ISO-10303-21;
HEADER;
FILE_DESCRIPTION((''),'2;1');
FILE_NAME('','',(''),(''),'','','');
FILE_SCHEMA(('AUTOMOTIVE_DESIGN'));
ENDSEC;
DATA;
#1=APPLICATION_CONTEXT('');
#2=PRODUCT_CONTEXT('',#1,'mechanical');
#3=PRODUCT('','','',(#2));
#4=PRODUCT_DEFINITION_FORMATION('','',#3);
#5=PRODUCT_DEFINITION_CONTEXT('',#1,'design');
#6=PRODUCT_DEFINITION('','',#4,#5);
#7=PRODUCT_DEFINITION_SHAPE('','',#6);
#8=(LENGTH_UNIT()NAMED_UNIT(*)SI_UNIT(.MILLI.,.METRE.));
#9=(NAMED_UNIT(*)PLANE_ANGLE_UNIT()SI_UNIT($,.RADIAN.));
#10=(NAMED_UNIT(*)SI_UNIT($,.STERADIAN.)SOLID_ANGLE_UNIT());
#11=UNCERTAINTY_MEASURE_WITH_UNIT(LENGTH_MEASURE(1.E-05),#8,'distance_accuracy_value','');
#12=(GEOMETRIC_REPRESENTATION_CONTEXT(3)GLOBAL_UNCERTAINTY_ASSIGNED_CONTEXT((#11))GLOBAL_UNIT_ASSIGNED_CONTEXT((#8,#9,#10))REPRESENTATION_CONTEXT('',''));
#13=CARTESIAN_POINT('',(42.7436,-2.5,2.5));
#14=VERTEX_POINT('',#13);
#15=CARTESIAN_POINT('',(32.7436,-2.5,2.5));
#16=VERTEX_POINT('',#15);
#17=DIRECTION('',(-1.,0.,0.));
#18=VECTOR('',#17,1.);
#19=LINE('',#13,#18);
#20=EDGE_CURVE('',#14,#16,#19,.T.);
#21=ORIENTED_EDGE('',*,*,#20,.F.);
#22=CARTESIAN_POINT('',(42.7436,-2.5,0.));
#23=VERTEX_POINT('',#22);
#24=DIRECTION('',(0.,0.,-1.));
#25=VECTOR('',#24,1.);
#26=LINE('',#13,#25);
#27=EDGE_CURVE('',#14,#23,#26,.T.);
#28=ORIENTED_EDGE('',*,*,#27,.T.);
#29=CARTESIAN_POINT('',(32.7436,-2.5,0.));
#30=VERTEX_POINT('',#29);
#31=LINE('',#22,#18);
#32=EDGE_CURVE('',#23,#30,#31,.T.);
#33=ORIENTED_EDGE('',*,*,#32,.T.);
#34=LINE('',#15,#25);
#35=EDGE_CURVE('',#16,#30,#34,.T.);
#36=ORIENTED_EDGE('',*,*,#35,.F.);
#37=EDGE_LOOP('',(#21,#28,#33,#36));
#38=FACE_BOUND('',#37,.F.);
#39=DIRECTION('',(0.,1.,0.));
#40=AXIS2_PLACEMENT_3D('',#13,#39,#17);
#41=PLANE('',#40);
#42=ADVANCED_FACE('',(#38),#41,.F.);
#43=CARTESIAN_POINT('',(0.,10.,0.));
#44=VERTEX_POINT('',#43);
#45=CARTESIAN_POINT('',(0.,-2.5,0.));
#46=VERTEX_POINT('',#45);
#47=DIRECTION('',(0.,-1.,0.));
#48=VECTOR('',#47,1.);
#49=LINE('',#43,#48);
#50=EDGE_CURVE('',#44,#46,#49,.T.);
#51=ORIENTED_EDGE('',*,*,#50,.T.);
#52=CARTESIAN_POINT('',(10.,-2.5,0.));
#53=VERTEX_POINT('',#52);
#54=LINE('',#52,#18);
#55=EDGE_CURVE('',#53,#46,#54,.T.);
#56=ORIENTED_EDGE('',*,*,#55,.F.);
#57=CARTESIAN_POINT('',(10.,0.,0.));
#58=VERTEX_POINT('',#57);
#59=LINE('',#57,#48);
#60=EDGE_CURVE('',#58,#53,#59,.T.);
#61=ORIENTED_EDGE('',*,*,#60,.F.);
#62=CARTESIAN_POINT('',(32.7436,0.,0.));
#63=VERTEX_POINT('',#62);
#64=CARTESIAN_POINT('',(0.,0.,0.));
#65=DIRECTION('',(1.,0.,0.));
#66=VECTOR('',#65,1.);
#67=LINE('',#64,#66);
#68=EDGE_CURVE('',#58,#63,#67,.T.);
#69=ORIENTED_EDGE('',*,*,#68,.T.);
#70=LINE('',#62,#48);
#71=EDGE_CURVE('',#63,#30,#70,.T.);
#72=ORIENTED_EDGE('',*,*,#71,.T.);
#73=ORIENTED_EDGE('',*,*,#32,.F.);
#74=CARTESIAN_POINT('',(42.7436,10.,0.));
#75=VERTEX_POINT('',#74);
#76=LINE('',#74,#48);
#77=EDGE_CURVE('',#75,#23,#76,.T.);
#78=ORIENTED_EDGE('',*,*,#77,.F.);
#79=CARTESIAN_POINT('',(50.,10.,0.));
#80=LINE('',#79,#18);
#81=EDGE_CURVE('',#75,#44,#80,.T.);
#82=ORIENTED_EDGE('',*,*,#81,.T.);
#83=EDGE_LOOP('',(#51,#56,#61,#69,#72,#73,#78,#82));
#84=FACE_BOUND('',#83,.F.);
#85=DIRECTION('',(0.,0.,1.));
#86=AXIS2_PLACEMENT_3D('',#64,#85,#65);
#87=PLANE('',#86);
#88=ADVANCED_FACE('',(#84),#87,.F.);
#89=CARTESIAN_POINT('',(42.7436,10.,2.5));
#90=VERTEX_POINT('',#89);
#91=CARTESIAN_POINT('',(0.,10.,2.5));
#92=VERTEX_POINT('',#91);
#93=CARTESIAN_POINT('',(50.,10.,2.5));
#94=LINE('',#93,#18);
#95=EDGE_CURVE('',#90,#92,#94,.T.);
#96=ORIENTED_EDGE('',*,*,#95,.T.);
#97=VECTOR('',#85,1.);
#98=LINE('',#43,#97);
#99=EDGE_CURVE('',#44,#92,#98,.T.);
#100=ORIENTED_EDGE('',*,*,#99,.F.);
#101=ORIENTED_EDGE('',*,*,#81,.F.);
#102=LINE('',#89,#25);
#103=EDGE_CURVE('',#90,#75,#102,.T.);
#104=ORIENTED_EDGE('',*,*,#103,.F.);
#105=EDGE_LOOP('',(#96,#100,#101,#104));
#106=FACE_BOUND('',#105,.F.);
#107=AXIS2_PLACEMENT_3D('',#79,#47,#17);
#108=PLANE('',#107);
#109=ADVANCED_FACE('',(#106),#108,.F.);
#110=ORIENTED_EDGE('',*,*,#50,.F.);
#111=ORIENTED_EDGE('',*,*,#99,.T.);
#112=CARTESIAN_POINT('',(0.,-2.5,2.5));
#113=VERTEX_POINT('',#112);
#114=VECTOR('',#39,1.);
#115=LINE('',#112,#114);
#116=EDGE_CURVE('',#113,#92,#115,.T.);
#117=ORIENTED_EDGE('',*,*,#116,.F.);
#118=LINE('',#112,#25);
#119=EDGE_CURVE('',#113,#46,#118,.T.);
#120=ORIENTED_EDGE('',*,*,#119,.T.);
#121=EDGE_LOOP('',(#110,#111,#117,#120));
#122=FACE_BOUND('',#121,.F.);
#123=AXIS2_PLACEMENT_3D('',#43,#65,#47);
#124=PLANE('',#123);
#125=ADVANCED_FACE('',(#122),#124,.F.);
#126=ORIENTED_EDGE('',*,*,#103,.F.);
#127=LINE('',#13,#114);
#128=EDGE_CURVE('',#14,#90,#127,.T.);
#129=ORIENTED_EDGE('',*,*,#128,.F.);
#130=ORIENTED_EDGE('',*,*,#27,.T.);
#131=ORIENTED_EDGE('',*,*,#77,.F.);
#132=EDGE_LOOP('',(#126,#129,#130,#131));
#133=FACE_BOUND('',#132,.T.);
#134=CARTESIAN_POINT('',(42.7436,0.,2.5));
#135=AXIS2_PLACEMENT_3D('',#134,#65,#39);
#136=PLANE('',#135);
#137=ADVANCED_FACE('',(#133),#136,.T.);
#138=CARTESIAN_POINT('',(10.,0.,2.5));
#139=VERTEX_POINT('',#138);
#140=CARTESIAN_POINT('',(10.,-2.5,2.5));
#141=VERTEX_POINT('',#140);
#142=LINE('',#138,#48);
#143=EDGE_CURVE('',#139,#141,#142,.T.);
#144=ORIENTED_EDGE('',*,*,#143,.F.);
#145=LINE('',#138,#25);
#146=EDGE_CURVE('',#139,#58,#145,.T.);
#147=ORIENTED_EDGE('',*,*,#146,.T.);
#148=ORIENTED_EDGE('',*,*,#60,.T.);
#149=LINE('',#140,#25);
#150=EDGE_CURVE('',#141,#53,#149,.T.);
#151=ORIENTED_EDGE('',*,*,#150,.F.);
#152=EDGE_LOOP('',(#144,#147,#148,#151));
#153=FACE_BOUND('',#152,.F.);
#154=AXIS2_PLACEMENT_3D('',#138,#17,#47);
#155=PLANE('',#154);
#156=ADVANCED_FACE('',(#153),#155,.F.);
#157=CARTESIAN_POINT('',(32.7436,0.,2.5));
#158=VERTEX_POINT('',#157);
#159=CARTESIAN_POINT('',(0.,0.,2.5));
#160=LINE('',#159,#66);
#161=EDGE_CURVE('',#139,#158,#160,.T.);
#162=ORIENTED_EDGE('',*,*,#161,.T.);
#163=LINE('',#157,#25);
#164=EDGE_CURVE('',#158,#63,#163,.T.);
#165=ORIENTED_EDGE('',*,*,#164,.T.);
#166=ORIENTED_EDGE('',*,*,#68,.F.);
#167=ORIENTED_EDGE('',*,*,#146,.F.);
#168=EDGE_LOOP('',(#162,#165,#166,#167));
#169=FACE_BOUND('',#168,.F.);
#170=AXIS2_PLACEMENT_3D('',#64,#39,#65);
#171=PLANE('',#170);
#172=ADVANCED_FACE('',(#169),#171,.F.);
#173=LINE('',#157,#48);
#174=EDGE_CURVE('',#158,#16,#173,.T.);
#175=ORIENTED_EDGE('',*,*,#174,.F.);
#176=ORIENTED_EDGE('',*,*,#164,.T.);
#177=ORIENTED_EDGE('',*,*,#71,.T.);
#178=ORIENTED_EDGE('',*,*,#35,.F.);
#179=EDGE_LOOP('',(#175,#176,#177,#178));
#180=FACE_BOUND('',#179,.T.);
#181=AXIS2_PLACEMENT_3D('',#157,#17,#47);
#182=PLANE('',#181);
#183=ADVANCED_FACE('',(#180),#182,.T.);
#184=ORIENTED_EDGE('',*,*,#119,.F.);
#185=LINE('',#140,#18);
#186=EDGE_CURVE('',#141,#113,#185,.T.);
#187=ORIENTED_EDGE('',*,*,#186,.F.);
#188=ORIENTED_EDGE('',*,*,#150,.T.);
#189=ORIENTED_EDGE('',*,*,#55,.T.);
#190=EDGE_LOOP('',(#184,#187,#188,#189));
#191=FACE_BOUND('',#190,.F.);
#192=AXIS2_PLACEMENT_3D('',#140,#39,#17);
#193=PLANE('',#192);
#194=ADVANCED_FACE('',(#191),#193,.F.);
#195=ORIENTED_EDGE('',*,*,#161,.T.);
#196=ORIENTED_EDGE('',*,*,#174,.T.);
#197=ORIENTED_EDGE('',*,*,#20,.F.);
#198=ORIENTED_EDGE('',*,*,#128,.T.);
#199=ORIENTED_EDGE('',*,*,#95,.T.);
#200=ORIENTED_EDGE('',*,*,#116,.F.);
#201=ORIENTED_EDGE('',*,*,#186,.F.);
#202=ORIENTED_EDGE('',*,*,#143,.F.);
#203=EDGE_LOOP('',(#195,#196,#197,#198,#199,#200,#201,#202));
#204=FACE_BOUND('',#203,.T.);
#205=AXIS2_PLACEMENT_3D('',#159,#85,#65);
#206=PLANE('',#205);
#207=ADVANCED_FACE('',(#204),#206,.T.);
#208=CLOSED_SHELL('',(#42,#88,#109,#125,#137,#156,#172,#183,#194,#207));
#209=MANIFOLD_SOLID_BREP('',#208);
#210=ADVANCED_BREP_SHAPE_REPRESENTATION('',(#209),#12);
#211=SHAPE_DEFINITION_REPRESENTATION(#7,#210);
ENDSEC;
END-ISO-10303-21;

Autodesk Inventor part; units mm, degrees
ref_plane "YZ Plane" through (0, 0, 0) normal (1, 0, 0) x (0, 1, 0)
ref_plane "XZ Plane" through (0, 0, 0) normal (0, 1, 0) x (-1, 0, 0)
ref_plane "XY Plane" through (0, 0, 0) normal (0, 0, 1) x (1, 0, 0)
sketch "スケッチ1" plane through (0, 0, 0) normal (0, 0, 1) x (1, 0, 0)
  line L0 (0, 0) -> (50, 0)
  line L1 (50, 0) -> (50, 10)
  line L2 (50, 10) -> (0, 10)
  line L3 (0, 10) -> (0, 0)
  dimension "d0" = 50
  dimension "d1" = 10
extrude "押し出し1" add sketch "スケッチ1" along normal blind 2.5
sketch "スケッチ2" plane through (0, 0, 2.5) normal (0, 0, 1) x (1, 0, 0)
  line L0 (10, -2.5) -> (0, -2.5) projected
  line L1 (10, 0) -> (10, -2.5) projected
  line L2 (0, 0) -> (10, 0) projected
  line L3 (0, 0) -> (0, -2.5) projected
  line L4 (42.7436, -2.5) -> (32.7436, -2.5) projected
  line L5 (42.7436, 0) -> (42.7436, -2.5) projected
  line L6 (32.7436, 0) -> (42.7436, 0) projected
  line L7 (32.7436, 0) -> (32.7436, -2.5) projected
  line L8 (42.7436, 0) -> (42.7436, 10)
  line L9 (50, 0) -> (50, 10) projected
  line L10 (50, 10) -> (0, 10) projected
  line L11 (0, 10) -> (0, 0) projected
  line L12 (0, 0) -> (50, 0) projected
extrude "押し出し2" cut sketch "スケッチ2" against normal through all contours L8 L10 L9 L12
sketch "スケッチ3" plane through (0, 0, 2.5) normal (0, 0, 1) x (1, 0, 0)
  line L0 (10, -2.5) -> (0, -2.5) projected
  line L1 (10, 0) -> (10, -2.5) projected
  line L2 (0, 0) -> (10, 0) projected
  line L3 (0, 0) -> (0, -2.5) projected
  line L4 (42.7436, -2.5) -> (32.7436, -2.5) projected
  line L5 (42.7436, 0) -> (42.7436, -2.5) projected
  line L6 (32.7436, 0) -> (42.7436, 0) projected
  line L7 (32.7436, 0) -> (32.7436, -2.5) projected
extrude "押し出し3" add sketch "スケッチ3" against normal up to surface (2.5 mm away)
properties part number "皿_壁"
